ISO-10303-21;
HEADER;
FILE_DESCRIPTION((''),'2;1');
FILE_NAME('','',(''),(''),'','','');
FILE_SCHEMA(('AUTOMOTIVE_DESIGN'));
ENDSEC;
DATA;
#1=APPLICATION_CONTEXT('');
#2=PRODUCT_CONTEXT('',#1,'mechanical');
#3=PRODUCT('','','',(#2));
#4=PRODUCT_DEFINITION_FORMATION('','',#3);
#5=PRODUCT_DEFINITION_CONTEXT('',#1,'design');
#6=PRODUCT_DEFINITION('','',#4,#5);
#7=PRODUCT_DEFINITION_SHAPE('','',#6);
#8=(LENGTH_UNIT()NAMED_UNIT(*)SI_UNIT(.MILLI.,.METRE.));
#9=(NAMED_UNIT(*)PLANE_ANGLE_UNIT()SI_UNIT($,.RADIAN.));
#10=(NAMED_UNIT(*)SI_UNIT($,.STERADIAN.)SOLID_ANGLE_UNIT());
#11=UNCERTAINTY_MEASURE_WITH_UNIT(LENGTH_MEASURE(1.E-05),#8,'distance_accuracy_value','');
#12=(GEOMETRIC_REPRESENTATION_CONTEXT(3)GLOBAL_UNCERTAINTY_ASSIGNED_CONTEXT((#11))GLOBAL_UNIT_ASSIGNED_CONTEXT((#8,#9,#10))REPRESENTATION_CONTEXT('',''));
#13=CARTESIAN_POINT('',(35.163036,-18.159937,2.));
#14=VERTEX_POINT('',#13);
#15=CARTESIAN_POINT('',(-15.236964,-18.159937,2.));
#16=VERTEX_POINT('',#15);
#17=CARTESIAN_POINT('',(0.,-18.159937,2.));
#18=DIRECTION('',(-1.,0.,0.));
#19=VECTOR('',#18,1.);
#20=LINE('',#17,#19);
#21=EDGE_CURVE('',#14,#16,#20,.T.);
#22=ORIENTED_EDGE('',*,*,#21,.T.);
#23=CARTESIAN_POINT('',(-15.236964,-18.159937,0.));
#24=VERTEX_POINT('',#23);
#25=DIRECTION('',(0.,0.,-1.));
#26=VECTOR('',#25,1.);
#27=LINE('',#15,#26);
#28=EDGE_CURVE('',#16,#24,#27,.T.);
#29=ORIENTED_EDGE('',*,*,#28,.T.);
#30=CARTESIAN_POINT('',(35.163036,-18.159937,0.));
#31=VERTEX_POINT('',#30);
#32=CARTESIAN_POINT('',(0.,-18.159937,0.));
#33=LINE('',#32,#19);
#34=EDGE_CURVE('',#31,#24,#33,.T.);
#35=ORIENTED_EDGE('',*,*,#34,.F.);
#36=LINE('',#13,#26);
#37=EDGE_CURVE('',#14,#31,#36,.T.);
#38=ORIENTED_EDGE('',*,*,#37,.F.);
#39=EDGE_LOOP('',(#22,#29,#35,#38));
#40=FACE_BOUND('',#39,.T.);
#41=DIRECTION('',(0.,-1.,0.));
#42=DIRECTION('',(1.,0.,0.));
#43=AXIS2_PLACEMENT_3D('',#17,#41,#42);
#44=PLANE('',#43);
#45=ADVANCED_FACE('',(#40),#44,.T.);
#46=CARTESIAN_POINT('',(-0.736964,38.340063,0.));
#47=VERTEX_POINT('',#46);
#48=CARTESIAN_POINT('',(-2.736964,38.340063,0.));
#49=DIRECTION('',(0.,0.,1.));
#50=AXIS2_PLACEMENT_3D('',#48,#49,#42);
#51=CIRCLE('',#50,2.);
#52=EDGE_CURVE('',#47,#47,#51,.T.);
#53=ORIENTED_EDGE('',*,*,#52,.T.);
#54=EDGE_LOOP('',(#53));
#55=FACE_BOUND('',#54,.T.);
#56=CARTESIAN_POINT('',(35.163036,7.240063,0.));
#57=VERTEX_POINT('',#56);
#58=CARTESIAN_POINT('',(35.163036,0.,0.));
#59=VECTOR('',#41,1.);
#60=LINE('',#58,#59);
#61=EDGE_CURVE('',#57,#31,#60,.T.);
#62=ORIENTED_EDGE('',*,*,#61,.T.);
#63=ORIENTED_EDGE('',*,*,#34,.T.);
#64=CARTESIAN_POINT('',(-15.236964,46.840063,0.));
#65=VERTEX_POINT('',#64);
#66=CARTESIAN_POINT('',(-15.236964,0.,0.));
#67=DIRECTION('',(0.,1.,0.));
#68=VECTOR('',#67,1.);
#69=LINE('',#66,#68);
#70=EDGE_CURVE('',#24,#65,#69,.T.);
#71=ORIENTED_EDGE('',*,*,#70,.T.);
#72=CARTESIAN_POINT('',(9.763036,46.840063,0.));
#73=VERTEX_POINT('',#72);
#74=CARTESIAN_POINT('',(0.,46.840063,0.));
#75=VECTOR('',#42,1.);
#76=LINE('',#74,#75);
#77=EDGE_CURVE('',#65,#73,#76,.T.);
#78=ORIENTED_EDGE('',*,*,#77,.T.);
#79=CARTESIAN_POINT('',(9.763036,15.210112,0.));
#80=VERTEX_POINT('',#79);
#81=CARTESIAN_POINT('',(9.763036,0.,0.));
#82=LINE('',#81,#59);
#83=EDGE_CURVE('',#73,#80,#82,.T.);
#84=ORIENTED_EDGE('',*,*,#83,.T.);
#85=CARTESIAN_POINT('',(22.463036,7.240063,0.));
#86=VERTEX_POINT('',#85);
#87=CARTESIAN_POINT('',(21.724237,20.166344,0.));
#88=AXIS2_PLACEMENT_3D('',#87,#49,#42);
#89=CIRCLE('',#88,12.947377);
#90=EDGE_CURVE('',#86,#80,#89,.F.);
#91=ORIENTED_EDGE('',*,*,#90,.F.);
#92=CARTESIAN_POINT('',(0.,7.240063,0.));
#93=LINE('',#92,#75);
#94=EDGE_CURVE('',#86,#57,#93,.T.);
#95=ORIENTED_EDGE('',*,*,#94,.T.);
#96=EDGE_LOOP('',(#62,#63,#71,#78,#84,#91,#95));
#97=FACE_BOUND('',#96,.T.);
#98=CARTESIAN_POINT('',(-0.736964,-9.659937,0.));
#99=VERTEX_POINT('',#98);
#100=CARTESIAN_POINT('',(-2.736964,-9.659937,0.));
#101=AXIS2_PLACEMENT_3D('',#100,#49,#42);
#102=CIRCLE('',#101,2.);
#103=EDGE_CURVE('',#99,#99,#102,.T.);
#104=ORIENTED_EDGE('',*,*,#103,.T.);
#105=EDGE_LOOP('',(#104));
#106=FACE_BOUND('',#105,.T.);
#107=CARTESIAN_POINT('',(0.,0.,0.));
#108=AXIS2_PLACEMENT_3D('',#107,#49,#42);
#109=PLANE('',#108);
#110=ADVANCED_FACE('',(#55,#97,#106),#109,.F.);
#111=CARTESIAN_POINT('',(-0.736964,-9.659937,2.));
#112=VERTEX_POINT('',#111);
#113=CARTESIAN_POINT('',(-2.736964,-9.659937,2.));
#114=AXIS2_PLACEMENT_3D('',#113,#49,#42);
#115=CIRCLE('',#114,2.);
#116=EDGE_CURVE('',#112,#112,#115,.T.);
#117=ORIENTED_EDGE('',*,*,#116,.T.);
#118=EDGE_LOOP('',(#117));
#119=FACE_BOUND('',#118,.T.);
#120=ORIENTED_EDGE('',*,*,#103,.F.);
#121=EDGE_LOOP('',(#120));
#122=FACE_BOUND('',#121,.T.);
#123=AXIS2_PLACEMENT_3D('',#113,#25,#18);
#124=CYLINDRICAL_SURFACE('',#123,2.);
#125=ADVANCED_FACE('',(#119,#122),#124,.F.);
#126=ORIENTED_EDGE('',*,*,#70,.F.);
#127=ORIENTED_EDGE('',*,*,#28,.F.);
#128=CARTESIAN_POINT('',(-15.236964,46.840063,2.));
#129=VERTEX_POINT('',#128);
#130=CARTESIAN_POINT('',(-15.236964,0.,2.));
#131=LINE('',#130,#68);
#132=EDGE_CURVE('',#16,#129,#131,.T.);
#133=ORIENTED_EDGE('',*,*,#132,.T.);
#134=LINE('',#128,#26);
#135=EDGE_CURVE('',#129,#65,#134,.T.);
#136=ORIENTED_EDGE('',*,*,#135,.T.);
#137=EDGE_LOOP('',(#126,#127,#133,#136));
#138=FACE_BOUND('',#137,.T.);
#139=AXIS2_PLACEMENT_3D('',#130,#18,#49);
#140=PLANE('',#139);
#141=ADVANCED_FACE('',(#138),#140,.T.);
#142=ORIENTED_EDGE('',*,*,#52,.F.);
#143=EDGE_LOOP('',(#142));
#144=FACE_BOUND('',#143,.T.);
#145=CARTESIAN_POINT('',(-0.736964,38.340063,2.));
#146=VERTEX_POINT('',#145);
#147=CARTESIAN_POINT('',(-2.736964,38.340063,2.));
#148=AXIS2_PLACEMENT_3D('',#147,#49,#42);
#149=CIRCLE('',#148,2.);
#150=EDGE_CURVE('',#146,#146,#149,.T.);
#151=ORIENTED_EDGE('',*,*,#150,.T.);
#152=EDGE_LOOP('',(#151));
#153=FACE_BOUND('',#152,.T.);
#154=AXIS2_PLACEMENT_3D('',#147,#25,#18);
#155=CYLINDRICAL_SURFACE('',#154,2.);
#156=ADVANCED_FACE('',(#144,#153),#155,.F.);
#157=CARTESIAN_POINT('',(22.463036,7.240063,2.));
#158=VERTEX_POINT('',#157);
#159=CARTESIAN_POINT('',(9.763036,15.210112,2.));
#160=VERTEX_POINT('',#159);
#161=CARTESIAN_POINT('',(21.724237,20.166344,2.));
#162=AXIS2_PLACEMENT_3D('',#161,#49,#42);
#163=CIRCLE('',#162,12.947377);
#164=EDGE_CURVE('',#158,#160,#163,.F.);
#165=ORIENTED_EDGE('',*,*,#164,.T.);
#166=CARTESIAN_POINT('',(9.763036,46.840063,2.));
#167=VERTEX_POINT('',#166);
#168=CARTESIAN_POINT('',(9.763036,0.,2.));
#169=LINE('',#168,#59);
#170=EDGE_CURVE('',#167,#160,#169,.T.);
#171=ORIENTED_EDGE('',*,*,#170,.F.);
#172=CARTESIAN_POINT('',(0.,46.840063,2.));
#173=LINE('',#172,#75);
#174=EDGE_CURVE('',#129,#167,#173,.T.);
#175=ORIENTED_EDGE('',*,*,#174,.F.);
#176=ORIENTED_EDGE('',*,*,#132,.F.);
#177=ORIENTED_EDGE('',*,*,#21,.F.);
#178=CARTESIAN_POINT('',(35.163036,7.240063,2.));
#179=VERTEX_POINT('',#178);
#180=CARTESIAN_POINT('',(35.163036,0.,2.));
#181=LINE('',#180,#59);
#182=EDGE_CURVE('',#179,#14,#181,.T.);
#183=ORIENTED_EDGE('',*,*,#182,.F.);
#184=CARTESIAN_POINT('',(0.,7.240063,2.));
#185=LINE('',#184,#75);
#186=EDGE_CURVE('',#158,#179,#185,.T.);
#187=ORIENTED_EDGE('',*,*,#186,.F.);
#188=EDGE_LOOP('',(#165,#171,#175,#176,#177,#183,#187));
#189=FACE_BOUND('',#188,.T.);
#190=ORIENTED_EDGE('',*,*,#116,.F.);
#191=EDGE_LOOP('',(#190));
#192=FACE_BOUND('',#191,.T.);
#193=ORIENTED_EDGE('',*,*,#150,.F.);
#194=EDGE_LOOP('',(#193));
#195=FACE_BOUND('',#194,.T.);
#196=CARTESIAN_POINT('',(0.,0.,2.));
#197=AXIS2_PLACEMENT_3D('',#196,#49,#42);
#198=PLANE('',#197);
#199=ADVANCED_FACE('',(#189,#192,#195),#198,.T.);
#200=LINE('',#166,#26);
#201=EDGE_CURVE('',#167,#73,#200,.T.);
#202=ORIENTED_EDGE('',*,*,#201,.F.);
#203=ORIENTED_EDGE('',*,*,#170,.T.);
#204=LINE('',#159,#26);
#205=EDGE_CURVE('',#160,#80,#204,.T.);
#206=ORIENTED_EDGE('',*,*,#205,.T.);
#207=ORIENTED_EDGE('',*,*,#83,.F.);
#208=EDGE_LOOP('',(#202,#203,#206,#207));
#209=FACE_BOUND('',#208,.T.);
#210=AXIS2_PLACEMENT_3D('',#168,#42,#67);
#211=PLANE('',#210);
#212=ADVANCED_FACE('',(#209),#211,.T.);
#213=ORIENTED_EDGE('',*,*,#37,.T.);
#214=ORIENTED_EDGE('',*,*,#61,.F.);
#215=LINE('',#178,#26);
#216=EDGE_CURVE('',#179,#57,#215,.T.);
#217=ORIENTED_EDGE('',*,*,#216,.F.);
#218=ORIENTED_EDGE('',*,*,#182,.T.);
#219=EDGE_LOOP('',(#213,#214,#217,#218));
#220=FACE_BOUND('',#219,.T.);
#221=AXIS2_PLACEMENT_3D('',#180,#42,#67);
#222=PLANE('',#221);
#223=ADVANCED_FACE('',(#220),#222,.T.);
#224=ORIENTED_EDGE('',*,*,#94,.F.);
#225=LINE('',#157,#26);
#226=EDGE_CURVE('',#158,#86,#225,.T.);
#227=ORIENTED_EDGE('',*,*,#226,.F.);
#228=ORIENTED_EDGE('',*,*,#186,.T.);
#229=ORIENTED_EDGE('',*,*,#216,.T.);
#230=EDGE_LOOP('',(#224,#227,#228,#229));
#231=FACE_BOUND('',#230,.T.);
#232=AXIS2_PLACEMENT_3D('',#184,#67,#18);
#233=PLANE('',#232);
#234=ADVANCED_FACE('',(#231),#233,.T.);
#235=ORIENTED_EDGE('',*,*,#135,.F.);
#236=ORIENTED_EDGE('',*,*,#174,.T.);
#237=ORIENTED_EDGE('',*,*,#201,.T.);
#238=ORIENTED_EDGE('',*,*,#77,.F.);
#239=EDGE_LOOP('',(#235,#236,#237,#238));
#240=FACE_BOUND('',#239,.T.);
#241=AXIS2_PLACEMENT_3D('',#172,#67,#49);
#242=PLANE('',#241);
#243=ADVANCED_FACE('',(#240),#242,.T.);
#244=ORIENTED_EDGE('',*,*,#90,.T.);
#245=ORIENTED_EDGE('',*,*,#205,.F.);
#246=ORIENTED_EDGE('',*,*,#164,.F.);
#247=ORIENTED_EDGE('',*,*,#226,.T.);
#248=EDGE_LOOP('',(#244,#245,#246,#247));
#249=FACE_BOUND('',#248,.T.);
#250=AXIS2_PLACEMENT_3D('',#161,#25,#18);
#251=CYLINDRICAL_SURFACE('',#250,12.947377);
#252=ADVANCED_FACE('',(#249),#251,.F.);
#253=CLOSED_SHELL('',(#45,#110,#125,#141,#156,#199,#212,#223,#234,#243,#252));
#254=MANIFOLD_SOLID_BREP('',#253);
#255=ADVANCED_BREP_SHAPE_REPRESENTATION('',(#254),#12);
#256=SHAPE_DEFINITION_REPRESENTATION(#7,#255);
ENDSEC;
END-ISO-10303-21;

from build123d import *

# Parameters (mm, degrees)
SKETCH1_R           = 2
BOSS_EXTRUDE1_DEPTH = 2


with BuildPart() as part:
    # Sketch1 → Boss-Extrude1 (new body)
    with BuildSketch(Plane.XY):
        with BuildLine():
            Line((-15.236964255, 46.840062703), (-15.236964255, -18.159937297))
            Line((-15.236964255, -18.159937297), (35.163035745, -18.159937297))
            Line((35.163035745, -18.159937297), (35.163035745, 7.240062703))
            Line((35.163035745, 7.240062703), (22.463035745, 7.240062703))
            ThreePointArc((22.463035745, 7.240062703), (14.841940785, 9.199641421), (9.763035745, 15.210112346))
            Line((9.763035745, 15.210112346), (9.763035745, 46.840062703))
            Line((9.763035745, 46.840062703), (-15.236964255, 46.840062703))
        make_face()
        with Locations((-2.736964255, -9.659937297)):
            Circle(SKETCH1_R, mode=Mode.SUBTRACT)
        with Locations((-2.736964255, 38.340062703)):
            Circle(SKETCH1_R, mode=Mode.SUBTRACT)
    extrude(amount=BOSS_EXTRUDE1_DEPTH)


solid = part.part
